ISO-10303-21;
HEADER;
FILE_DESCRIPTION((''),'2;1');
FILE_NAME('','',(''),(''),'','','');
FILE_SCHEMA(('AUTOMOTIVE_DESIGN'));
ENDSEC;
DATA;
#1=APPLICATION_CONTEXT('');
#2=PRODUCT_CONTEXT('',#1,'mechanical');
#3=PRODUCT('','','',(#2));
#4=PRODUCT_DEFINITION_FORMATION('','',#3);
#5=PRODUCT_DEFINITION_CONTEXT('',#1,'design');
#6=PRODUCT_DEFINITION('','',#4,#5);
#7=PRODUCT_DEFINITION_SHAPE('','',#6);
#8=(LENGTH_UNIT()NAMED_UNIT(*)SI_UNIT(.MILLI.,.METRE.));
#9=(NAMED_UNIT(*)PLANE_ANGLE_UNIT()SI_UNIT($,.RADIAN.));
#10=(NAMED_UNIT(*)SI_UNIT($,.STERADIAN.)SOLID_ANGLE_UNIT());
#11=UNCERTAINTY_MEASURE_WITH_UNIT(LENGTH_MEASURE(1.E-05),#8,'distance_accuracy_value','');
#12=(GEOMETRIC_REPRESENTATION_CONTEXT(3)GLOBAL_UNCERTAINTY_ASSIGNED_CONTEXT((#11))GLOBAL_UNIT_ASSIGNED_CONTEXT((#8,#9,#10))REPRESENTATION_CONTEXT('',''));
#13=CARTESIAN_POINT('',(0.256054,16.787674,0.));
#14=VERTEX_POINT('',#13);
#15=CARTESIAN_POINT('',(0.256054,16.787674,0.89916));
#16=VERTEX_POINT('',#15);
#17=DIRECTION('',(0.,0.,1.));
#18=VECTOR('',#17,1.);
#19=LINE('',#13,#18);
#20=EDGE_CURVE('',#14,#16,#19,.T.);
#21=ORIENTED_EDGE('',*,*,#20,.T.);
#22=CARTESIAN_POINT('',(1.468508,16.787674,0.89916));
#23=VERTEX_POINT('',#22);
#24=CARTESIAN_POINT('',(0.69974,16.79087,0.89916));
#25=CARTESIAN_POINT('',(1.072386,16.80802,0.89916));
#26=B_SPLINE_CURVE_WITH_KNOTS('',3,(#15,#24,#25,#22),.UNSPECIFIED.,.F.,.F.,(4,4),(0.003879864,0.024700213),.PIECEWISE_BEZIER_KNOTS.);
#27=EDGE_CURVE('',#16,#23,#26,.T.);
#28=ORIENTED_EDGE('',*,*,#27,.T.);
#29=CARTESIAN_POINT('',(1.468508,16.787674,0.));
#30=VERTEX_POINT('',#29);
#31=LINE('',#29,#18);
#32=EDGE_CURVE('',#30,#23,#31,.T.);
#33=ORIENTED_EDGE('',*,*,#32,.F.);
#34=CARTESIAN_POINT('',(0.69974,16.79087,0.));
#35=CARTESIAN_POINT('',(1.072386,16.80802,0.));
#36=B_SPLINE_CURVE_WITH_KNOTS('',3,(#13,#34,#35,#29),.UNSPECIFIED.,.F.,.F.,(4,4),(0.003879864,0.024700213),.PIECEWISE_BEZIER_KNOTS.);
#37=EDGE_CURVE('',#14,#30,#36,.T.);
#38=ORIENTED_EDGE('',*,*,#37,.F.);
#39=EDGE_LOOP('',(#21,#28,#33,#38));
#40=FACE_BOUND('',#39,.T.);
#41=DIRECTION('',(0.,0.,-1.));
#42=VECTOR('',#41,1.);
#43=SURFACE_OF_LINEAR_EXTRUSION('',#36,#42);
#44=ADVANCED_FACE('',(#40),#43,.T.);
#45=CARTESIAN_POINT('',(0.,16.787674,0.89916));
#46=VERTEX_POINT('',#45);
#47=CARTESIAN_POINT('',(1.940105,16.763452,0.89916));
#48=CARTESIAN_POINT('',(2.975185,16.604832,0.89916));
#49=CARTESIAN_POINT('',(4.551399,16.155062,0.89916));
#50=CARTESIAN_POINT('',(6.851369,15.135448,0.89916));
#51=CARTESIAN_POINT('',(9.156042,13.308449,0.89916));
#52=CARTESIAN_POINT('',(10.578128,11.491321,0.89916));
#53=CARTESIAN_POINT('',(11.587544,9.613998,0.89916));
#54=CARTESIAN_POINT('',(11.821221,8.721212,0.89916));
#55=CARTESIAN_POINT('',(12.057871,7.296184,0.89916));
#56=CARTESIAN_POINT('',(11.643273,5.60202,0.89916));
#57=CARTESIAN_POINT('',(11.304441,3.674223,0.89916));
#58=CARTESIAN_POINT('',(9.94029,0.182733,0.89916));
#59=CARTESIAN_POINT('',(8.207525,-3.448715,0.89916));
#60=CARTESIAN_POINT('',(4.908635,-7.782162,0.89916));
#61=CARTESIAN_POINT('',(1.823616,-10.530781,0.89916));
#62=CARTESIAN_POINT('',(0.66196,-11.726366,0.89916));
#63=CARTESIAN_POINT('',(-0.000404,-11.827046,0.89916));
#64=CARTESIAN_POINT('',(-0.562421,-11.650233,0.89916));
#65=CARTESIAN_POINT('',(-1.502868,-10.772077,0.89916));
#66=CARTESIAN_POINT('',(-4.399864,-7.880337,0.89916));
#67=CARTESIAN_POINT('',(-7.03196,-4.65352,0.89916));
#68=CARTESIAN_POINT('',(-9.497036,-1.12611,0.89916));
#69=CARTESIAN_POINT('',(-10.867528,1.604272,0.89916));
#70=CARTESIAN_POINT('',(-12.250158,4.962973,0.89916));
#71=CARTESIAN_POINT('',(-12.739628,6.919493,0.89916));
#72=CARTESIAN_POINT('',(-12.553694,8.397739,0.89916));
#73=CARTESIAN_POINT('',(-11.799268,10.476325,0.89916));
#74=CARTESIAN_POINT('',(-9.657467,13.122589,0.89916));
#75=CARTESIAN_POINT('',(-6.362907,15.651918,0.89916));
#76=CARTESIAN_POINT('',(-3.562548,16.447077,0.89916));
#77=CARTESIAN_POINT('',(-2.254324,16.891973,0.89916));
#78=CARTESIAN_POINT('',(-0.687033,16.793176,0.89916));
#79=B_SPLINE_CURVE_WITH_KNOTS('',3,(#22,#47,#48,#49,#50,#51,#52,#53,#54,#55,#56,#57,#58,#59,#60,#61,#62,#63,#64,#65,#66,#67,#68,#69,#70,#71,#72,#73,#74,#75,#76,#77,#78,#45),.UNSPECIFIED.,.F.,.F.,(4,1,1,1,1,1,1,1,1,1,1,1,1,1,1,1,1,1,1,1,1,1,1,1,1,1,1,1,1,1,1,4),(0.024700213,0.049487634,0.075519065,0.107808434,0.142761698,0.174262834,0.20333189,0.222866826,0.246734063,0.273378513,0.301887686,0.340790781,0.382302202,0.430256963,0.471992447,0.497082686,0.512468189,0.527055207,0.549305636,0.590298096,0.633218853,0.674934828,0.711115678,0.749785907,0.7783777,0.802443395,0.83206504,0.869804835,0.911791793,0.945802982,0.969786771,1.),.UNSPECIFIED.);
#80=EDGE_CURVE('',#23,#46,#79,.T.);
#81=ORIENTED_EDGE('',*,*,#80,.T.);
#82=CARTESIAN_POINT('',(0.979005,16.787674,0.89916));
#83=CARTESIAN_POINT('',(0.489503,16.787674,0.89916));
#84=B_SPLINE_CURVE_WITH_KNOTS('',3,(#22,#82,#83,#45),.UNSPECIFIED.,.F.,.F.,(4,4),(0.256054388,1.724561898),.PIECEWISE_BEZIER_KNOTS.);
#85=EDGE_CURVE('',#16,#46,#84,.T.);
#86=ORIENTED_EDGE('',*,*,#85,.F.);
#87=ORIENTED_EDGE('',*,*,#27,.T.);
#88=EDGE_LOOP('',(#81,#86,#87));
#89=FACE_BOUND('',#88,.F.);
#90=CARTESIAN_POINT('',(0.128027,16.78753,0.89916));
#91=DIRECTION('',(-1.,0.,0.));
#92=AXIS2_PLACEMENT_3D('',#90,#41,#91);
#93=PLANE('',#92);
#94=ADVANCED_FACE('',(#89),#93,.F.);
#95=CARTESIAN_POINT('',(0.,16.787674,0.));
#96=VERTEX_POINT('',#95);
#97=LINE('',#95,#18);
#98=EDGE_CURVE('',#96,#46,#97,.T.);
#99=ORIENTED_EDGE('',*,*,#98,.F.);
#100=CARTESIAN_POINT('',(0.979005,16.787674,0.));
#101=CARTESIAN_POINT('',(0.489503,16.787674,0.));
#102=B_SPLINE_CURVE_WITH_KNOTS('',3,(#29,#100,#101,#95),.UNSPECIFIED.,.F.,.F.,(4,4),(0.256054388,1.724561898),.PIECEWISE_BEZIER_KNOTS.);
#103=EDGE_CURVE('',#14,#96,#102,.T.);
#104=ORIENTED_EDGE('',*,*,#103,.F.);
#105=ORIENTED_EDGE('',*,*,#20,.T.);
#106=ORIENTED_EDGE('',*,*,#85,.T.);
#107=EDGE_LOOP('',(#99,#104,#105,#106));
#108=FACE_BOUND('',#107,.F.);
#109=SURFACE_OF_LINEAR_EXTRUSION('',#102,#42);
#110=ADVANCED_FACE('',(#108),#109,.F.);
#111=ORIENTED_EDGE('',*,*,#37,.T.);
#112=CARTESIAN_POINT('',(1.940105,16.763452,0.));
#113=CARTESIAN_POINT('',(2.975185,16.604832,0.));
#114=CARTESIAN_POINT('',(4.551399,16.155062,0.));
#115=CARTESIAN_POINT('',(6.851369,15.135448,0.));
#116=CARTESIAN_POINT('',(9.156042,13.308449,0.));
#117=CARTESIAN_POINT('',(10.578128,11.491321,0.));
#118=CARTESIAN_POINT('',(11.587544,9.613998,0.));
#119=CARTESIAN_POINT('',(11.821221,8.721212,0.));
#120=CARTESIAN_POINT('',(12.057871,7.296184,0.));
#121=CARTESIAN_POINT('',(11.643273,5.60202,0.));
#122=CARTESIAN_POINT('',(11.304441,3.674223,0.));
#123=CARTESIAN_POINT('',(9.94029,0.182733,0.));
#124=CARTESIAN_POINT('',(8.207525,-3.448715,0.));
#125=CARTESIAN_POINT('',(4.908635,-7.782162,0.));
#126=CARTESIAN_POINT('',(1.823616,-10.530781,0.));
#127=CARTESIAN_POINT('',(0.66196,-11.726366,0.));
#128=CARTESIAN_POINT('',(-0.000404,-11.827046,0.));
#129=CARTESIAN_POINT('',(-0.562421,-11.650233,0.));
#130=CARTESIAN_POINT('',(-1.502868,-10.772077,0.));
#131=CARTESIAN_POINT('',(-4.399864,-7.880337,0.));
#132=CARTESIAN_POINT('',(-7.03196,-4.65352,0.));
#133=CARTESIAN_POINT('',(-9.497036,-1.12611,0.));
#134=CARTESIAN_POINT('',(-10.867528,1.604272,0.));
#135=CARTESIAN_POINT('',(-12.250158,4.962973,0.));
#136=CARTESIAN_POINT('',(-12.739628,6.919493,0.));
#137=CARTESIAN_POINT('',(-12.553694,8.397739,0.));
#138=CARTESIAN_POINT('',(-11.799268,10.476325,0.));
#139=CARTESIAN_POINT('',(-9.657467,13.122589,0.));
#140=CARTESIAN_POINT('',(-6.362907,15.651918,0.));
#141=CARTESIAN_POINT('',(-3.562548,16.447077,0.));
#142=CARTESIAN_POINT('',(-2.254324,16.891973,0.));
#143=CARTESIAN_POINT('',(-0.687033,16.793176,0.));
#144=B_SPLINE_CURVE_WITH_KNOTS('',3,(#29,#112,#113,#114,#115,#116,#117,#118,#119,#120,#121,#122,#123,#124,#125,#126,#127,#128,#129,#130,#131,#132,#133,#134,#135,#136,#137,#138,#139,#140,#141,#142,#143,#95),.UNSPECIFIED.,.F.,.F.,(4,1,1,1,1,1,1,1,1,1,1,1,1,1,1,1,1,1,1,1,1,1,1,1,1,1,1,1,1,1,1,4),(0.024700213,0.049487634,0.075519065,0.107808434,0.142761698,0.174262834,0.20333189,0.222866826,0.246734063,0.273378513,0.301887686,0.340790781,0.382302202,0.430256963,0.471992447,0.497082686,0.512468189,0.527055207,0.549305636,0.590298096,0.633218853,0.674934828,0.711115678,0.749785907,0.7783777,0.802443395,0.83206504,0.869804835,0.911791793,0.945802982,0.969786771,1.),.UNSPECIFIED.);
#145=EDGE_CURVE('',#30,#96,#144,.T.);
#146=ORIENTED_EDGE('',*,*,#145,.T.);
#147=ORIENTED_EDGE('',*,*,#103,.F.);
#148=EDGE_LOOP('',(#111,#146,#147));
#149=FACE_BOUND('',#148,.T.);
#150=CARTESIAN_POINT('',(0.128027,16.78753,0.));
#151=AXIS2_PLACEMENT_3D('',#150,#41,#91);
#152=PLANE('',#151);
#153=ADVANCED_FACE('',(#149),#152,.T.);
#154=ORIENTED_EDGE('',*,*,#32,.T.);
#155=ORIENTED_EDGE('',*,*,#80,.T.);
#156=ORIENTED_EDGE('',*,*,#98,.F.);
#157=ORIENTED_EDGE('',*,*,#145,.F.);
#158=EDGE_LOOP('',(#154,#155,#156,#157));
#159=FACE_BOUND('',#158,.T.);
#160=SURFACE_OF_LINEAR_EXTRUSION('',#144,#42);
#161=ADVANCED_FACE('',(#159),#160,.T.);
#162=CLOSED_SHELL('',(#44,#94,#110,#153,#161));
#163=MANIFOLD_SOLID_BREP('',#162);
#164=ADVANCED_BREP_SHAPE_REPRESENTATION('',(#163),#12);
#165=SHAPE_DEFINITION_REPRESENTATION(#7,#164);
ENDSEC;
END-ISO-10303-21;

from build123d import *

# Parameters (mm, degrees)
F1_DEPTH = 0.89916


with BuildPart() as f1:
    # F0 (on Top) → F1 (new body)
    with BuildSketch(Plane.XY):
        with BuildLine():
            add(Edge.make_bspline(
                [(0, 16.7876744042), (0.0853514626, 16.7876744042), (0.1707029252, 16.7876744042), (0.2560543878, 16.7876744042)],
                knots=[0, 0, 0, 0, 0.2560543878, 0.2560543878, 0.2560543878, 0.2560543878], degree=3))
            add(Edge.make_bspline(
                [(0, 16.7876744042), (0.0882261433, 16.786967871), (0.1733737311, 16.787078852), (0.2560543878, 16.7876744042)],
                knots=[0, 0, 0, 0, 0.0038798642, 0.0038798642, 0.0038798642, 0.0038798642], degree=3))
        make_face()
        with BuildLine():
            add(Edge.make_bspline(
                [(0, 16.7876744042), (0.0882261433, 16.786967871), (0.1733737311, 16.787078852), (0.2560543878, 16.7876744042)],
                knots=[0, 0, 0, 0, 0.0038798642, 0.0038798642, 0.0038798642, 0.0038798642], degree=3))
            add(Edge.make_bspline(
                [(1.4685075097, 16.7876744042), (1.940105078, 16.7634519099), (2.9751847993, 16.6048323827), (4.5513988019, 16.1550618041), (6.8513685617, 15.1354478876), (9.156041853, 13.3084492456), (10.5781283913, 11.4913207781), (11.5875437254, 9.6139980303), (11.8212205307, 8.7212118052), (12.0578705863, 7.2961838629), (11.6432729468, 5.6020200674), (11.3044413398, 3.6742231172), (9.9402900287, 0.1827334377), (8.2075254197, -3.4487153906), (4.9086353053, -7.7821621552), (1.8236161829, -10.5307806297), (0.6619595919, -11.7263655405), (-0.0004041577, -11.8270457402), (-0.5624210942, -11.6502325058), (-1.5028675492, -10.7720766078), (-4.3998641375, -7.880337463), (-7.0319599386, -4.6535199183), (-9.4970361768, -1.1261101323), (-10.8675282058, 1.6042715812), (-12.2501584466, 4.9629727725), (-12.7396281176, 6.9194934558), (-12.5536943421, 8.3977392243), (-11.799267899, 10.4763253049), (-9.657466866, 13.1225888625), (-6.3629072882, 15.6519182421), (-3.5625477641, 16.4470770846), (-2.2543240478, 16.8919729545), (-0.6870334834, 16.7931763105), (0, 16.7876744042)],
                knots=[0.0247002129, 0.0247002129, 0.0247002129, 0.0247002129, 0.0494876336, 0.075519065, 0.107808434, 0.1427616978, 0.1742628345, 0.2033318902, 0.2228668264, 0.2467340626, 0.2733785127, 0.3018876859, 0.3407907813, 0.3823022024, 0.4302569632, 0.4719924466, 0.4970826862, 0.5124681887, 0.5270552065, 0.549305636, 0.5902980958, 0.6332188528, 0.674934828, 0.7111156784, 0.7497859073, 0.7783777001, 0.8024433947, 0.8320650402, 0.8698048349, 0.911791793, 0.9458029819, 0.9697867714, 1, 1, 1, 1], degree=3))
            add(Edge.make_bspline(
                [(0.2560543878, 16.7876744042), (0.6602054284, 16.7876744042), (1.0643564691, 16.7876744042), (1.4685075097, 16.7876744042)],
                knots=[0.2560543878, 0.2560543878, 0.2560543878, 0.2560543878, 1.4685075097, 1.4685075097, 1.4685075097, 1.4685075097], degree=3))
        make_face()
        with BuildLine():
            add(Edge.make_bspline(
                [(0.2560543878, 16.7876744042), (0.699740043, 16.7908702908), (1.0723861896, 16.8080202395), (1.4685075097, 16.7876744042)],
                knots=[0.0038798642, 0.0038798642, 0.0038798642, 0.0038798642, 0.0247002129, 0.0247002129, 0.0247002129, 0.0247002129], degree=3))
            add(Edge.make_bspline(
                [(0.2560543878, 16.7876744042), (0.6602054284, 16.7876744042), (1.0643564691, 16.7876744042), (1.4685075097, 16.7876744042)],
                knots=[0.2560543878, 0.2560543878, 0.2560543878, 0.2560543878, 1.4685075097, 1.4685075097, 1.4685075097, 1.4685075097], degree=3))
        make_face()
    extrude(amount=F1_DEPTH)


solid = f1.part
